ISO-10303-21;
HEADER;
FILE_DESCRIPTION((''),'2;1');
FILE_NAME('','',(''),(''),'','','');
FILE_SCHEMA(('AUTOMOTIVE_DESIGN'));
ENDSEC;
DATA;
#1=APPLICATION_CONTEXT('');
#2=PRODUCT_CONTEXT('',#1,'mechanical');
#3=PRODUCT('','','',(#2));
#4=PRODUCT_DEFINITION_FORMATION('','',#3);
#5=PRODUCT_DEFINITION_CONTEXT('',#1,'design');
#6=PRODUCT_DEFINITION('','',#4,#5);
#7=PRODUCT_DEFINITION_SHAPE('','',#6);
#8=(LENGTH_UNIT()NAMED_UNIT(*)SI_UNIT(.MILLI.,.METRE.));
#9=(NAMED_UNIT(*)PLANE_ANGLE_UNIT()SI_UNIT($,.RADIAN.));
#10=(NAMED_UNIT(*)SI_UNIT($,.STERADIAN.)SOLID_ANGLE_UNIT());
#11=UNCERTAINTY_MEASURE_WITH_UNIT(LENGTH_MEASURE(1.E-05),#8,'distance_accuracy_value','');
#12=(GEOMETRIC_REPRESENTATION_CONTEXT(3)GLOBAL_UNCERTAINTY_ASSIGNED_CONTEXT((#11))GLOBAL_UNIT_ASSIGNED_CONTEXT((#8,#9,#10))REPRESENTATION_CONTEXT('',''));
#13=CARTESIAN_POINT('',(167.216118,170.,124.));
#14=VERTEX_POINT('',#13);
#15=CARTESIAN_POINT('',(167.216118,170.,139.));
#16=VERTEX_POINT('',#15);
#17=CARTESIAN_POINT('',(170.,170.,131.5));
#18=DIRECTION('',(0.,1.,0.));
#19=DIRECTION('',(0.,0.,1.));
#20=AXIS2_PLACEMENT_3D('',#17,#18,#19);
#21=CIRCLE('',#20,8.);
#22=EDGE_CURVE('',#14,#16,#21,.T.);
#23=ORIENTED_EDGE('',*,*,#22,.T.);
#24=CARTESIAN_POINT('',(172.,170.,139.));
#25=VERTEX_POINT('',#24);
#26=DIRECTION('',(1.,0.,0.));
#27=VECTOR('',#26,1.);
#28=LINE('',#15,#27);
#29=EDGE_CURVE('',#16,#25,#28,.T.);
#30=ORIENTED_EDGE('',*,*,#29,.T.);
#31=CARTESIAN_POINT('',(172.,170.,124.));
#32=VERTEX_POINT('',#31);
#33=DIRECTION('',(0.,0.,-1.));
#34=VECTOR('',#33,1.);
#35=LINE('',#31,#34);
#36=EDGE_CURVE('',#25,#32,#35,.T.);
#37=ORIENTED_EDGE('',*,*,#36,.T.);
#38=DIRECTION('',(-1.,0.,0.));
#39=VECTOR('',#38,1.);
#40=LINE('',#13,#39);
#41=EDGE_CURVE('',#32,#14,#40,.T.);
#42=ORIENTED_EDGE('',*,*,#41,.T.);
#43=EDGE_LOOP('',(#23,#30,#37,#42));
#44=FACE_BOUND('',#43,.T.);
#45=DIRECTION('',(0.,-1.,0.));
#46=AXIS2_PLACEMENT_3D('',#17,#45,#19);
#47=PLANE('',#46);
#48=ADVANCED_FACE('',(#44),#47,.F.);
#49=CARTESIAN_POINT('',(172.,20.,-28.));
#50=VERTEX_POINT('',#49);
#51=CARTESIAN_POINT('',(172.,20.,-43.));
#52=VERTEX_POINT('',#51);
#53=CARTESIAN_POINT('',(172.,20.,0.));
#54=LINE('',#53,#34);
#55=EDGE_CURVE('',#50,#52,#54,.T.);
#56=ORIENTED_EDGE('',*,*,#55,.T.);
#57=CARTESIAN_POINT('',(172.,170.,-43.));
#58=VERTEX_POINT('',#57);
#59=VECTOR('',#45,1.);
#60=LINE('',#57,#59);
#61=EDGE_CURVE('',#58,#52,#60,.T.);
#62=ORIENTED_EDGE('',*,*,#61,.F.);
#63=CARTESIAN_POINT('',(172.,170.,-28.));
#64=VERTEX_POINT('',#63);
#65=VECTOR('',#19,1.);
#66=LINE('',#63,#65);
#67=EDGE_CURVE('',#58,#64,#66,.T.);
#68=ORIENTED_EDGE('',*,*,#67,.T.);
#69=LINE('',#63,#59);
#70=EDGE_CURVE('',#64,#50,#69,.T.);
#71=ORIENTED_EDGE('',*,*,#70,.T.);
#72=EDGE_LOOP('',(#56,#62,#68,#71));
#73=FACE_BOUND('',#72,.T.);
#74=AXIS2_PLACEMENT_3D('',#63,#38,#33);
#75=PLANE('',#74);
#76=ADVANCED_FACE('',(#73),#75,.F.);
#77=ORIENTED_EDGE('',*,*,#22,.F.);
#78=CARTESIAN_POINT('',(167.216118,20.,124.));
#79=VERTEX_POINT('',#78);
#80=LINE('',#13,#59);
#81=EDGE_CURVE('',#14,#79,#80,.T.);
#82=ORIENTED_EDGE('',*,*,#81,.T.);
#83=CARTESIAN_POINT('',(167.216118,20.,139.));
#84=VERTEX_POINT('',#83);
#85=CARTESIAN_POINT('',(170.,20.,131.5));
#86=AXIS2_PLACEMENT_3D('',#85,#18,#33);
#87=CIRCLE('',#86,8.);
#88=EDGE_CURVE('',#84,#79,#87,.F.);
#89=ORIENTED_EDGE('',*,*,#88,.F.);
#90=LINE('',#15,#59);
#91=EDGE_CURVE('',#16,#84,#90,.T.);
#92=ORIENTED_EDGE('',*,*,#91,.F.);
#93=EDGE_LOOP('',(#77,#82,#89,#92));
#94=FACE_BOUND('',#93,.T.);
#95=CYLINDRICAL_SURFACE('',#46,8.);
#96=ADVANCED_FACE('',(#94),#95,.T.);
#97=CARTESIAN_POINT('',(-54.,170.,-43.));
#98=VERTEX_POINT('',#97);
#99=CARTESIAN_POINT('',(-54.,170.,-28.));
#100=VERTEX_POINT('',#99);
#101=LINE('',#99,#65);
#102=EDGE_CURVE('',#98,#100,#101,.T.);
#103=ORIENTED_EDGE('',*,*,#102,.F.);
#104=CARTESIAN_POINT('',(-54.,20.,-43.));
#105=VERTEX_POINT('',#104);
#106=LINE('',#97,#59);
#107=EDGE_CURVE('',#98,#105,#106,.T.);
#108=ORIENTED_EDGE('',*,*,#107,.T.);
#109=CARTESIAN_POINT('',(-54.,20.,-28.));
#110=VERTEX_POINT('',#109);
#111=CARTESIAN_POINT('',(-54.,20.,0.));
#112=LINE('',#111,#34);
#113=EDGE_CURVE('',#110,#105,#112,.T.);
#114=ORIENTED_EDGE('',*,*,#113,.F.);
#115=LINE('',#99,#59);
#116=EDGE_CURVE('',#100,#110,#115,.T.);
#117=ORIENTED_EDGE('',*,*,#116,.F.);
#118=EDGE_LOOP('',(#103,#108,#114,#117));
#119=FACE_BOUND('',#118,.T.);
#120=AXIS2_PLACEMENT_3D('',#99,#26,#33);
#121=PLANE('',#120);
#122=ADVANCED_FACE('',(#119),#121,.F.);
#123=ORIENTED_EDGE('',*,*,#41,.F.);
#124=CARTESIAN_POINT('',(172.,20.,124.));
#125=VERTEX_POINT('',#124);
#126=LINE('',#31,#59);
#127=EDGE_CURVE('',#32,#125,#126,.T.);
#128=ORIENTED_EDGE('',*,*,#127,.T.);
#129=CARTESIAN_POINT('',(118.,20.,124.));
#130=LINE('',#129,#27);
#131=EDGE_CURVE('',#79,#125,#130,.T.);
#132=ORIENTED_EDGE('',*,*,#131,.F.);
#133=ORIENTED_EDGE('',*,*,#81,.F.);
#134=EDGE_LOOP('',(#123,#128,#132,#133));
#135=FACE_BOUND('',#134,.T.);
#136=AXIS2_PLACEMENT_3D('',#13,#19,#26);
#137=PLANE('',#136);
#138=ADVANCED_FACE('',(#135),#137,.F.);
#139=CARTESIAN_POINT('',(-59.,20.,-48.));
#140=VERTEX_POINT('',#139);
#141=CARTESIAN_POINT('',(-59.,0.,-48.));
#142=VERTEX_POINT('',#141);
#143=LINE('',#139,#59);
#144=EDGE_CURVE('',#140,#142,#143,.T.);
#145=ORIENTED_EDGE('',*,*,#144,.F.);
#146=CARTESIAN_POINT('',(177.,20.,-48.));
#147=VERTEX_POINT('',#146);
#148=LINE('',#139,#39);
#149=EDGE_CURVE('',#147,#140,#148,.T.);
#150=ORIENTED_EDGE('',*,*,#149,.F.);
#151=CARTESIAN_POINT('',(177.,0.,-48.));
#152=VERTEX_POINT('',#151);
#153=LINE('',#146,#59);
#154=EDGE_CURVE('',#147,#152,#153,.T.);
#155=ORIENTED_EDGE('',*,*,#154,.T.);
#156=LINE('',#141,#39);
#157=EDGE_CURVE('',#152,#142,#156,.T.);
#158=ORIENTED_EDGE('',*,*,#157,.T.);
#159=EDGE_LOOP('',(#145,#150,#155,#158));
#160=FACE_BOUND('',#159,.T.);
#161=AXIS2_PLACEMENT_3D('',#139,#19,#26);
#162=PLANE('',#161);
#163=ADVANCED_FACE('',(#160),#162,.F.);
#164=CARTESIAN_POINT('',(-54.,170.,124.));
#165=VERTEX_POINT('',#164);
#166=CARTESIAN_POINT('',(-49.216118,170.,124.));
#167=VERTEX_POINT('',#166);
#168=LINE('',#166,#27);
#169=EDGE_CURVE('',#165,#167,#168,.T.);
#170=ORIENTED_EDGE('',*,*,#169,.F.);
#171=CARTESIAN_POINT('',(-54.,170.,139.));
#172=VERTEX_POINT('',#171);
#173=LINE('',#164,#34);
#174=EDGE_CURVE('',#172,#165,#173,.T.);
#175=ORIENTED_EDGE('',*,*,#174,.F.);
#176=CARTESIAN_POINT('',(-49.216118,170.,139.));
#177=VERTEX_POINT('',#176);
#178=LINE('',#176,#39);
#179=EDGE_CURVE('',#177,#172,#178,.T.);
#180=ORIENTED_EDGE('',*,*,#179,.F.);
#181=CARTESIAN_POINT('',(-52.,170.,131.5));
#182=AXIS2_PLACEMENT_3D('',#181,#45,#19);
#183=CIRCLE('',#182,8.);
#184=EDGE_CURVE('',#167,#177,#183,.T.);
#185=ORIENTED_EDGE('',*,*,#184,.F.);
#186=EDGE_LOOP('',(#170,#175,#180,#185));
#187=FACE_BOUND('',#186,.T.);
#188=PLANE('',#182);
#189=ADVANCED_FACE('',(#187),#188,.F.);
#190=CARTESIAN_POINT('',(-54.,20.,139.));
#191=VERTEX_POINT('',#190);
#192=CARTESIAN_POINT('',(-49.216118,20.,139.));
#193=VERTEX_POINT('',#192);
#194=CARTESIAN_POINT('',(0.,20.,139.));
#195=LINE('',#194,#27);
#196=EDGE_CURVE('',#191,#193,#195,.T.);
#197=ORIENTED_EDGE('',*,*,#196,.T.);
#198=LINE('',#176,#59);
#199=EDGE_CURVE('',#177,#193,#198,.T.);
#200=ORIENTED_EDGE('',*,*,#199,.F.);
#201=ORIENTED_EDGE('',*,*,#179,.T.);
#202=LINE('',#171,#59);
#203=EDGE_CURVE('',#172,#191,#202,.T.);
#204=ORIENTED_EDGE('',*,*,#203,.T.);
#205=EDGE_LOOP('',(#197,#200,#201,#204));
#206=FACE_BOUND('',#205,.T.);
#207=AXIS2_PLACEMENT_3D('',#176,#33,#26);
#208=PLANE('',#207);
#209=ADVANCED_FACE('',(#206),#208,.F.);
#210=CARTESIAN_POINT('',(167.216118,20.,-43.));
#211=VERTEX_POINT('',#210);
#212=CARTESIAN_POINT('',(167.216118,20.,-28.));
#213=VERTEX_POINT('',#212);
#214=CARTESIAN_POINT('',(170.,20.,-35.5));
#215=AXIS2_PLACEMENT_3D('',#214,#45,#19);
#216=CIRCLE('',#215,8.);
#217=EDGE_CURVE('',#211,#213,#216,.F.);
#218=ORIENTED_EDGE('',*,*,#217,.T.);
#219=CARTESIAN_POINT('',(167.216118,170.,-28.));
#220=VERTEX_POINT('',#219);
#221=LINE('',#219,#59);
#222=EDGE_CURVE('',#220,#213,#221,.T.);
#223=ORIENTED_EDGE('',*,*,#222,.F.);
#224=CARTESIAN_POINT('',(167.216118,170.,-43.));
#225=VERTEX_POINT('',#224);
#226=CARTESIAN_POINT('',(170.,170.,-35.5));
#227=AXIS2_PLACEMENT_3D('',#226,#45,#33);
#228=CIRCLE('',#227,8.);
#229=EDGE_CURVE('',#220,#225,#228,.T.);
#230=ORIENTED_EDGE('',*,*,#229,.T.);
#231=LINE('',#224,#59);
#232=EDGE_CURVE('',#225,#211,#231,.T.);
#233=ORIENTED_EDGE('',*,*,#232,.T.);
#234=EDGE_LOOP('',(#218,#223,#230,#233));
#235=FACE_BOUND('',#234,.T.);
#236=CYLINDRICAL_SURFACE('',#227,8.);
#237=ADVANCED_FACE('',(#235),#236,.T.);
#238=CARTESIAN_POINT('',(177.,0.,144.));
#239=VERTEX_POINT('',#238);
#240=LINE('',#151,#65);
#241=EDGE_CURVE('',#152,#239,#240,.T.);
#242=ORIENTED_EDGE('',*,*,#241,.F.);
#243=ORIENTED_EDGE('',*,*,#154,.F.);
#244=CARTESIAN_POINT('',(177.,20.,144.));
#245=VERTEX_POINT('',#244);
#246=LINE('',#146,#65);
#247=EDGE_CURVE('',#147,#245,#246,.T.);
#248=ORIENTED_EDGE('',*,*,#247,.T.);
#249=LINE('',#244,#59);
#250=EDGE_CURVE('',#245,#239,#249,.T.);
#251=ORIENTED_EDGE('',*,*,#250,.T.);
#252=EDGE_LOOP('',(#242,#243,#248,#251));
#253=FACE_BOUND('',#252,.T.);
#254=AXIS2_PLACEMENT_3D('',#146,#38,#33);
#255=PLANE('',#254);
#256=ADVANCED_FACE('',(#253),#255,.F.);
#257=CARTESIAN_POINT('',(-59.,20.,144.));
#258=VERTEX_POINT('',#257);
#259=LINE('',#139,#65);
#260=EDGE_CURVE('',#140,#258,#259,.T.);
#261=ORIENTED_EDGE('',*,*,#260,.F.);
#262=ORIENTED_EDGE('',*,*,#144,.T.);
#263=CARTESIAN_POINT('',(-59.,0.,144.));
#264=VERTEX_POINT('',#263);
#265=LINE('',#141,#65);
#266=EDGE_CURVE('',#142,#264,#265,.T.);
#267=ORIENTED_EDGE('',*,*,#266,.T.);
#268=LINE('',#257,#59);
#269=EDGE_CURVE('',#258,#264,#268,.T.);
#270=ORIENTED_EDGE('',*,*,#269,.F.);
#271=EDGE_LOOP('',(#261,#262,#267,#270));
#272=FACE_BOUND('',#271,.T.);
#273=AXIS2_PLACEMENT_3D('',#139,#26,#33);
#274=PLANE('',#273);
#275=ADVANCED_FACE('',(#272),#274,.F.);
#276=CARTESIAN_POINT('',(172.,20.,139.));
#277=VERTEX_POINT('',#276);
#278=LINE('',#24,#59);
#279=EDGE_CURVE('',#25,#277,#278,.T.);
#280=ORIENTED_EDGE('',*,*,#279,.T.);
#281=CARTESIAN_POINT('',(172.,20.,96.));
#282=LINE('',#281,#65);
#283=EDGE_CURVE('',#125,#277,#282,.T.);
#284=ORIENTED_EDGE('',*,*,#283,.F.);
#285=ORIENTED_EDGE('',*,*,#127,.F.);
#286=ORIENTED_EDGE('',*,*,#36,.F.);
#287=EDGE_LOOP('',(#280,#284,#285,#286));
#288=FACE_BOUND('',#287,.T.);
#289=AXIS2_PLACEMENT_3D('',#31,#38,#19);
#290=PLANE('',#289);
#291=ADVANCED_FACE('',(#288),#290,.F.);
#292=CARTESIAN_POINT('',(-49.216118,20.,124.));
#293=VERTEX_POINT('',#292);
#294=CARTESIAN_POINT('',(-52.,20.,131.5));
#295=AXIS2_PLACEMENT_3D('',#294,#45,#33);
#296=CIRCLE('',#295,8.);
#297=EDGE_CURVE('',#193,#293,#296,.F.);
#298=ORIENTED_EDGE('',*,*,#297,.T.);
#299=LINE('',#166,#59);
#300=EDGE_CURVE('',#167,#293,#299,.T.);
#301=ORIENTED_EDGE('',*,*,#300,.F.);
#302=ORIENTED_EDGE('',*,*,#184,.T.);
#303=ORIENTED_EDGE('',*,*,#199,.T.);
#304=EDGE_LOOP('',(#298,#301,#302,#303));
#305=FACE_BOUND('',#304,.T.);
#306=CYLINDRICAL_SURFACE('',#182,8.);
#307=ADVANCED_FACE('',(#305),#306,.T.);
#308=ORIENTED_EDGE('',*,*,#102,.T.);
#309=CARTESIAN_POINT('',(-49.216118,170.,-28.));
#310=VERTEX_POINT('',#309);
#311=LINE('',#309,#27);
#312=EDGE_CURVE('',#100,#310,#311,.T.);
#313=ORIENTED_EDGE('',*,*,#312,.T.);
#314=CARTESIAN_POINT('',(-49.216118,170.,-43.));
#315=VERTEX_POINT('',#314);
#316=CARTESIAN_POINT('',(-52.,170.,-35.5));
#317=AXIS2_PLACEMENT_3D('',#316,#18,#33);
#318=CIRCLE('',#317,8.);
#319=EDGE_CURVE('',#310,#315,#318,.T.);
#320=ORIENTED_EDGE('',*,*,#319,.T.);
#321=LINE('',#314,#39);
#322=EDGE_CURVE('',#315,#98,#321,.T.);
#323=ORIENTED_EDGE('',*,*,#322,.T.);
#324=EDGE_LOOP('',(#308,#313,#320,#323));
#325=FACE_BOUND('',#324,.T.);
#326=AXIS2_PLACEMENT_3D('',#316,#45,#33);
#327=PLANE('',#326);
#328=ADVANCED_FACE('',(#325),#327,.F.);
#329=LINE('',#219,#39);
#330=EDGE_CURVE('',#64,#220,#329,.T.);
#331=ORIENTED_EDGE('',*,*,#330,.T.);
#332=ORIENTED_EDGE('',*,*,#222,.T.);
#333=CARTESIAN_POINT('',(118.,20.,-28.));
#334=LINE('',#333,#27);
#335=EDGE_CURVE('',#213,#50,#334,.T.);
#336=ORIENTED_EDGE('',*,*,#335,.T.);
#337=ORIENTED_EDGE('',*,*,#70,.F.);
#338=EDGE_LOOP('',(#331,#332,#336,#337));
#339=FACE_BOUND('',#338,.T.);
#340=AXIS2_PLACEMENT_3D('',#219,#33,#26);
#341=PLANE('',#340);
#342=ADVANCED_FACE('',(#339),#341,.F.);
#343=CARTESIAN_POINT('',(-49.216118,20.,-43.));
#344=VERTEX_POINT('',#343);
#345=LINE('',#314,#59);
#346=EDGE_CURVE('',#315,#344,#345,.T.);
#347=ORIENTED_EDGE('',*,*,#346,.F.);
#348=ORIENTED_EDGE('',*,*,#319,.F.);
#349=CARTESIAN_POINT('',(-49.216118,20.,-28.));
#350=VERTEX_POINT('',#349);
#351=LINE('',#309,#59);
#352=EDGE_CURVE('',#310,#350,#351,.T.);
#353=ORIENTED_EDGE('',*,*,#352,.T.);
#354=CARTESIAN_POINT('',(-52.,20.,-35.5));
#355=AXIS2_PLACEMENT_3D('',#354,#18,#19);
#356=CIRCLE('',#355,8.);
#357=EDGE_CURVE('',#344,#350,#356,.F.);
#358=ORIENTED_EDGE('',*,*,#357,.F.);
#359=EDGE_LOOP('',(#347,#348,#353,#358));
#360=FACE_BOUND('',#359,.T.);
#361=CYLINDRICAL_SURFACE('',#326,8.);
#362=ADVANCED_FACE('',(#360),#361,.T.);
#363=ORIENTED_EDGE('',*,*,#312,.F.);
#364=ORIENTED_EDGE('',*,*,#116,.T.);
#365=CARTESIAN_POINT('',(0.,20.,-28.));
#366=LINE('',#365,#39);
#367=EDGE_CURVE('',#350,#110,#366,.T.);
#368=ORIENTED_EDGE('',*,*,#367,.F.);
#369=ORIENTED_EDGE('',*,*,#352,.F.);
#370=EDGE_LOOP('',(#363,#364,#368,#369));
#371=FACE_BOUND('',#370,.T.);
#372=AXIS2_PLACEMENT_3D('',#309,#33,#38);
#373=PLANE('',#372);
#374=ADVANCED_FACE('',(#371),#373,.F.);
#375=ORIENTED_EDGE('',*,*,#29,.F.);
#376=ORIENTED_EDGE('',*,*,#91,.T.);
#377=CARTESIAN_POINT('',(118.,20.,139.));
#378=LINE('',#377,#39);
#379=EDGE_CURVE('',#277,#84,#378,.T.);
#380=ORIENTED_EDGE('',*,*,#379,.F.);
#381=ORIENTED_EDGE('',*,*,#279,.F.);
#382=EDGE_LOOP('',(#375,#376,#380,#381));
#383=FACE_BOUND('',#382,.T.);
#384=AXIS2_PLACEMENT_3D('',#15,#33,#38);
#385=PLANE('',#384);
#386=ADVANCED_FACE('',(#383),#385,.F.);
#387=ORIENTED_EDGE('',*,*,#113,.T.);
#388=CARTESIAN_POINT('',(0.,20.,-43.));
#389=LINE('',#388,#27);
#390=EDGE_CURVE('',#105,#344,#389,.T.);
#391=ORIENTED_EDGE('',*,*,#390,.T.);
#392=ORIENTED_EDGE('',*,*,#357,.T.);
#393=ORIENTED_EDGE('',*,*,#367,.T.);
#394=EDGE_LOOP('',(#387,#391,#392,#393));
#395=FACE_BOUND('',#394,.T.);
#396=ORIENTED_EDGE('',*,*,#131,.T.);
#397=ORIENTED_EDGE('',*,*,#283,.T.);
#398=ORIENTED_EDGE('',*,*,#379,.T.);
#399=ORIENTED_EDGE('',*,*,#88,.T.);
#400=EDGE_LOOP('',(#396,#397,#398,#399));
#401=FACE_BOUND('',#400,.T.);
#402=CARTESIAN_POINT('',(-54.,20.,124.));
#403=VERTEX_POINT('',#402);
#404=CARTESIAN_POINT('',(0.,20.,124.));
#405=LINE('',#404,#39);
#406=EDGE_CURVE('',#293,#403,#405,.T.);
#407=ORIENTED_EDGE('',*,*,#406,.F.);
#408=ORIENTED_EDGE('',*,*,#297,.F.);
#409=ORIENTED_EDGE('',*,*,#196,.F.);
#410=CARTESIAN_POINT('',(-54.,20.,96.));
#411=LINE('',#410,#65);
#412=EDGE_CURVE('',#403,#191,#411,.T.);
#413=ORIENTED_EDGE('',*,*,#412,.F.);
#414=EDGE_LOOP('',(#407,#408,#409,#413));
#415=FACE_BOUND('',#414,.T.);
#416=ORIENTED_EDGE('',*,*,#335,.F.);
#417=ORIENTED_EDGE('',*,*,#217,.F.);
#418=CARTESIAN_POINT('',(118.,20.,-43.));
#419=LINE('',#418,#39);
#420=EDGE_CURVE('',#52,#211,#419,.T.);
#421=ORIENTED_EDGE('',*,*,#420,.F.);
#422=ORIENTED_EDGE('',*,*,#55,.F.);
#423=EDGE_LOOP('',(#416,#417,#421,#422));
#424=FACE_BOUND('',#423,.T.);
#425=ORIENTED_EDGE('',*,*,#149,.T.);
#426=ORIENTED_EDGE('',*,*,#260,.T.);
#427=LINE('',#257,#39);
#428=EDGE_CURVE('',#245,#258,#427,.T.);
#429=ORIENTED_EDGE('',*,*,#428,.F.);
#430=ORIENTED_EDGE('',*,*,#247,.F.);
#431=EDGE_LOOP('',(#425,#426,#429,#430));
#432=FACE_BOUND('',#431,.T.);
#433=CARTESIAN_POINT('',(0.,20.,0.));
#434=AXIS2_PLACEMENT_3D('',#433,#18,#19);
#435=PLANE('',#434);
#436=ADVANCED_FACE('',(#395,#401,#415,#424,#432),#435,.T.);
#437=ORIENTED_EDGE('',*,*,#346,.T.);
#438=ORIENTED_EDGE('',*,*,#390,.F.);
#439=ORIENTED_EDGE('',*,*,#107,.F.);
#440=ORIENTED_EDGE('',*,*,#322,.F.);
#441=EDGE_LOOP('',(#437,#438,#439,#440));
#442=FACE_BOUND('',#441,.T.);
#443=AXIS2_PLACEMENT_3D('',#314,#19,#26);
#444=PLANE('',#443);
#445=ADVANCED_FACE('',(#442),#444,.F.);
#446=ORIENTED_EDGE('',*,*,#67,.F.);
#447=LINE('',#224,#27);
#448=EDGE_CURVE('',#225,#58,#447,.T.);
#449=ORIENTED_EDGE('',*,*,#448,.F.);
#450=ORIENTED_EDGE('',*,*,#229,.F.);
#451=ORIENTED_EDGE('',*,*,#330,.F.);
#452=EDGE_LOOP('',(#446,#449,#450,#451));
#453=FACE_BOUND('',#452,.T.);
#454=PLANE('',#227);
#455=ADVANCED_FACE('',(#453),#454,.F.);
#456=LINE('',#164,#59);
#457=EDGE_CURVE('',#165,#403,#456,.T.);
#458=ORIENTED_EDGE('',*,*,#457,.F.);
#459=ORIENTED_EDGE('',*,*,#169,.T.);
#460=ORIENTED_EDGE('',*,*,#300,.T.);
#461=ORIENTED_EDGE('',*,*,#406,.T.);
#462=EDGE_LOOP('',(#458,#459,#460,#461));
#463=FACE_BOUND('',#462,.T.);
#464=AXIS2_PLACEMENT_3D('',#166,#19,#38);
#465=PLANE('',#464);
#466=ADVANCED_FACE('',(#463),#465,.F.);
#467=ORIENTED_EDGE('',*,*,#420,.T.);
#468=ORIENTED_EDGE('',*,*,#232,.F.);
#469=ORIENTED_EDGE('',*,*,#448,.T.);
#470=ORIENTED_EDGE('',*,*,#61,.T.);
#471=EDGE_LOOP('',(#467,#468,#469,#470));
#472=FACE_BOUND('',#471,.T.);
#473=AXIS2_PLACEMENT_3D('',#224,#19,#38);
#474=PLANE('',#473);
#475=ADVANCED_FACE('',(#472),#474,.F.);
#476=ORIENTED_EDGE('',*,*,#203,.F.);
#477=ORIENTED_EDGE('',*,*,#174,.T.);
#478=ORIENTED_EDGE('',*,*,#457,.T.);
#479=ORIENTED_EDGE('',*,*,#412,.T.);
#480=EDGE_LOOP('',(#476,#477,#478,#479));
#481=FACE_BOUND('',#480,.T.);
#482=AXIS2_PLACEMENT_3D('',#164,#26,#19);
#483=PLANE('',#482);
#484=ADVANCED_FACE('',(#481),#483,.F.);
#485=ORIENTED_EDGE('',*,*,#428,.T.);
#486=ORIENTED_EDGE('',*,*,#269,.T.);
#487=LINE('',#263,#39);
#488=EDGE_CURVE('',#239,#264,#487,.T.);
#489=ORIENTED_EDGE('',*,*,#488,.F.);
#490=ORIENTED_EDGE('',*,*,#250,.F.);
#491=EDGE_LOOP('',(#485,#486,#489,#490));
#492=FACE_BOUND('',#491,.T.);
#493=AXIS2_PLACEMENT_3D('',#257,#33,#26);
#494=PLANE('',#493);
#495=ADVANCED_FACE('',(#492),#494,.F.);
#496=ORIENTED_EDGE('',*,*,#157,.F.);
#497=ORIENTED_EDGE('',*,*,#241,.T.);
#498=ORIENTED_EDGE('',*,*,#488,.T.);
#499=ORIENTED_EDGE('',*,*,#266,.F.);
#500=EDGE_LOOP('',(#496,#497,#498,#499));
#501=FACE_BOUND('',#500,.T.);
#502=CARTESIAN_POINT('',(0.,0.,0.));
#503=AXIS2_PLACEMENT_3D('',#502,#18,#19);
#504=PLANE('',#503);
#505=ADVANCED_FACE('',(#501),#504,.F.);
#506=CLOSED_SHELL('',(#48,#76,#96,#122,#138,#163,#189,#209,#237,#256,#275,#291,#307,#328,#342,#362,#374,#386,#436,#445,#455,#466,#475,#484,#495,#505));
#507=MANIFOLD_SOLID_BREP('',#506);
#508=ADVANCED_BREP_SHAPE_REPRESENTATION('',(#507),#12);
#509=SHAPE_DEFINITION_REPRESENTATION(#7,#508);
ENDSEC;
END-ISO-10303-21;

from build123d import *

# Parameters (mm, degrees)
SCHIZZO2_W                   = 118
SCHIZZO2_H                   = 96
ESTRUSIONE_ESTRUSIONE1_DEPTH = 20
ESTRUSIONE_ESTRUSIONE2_DEPTH = 170


with BuildPart() as part:
    # Schizzo2 → Estrusione-Estrusione1 (new body)
    with BuildSketch(Plane(origin=(0, 0, 0), x_dir=(1, 0, 0), z_dir=(0, 1, 0))):
        Rectangle(SCHIZZO2_W, SCHIZZO2_H)
    extrude(amount=ESTRUSIONE_ESTRUSIONE1_DEPTH)

    # Schizzo3 → Estrusione-Estrusione2 (add)
    with BuildSketch(Plane(origin=(0, 0, 0), x_dir=(1, 0, 0), z_dir=(0, 1, 0))):
        with BuildLine():
            Line((-49.216117819, 28), (-54, 28))
            Line((-54, 28), (-54, 43))
            Line((-54, 43), (-49.216117819, 43))
            ThreePointArc((-49.216117819, 43), (-44, 35.5), (-49.216117819, 28))
        make_face()
    extrude(amount=ESTRUSIONE_ESTRUSIONE2_DEPTH)

    # Specchia3: part across plane


with BuildPart() as part_1:
    add(part.part)
    add(part.part.mirror(Plane(origin=(-59, 20, 48), x_dir=(1, 0, 0), z_dir=(0, 0, -1))))

    # Specchia2: part across plane


with BuildPart() as part_2:
    add(part_1.part)
    add(part_1.part.mirror(Plane(origin=(59, 20, -48), x_dir=(0, 0, 1), z_dir=(-1, 0, 0))))


solid = part_2.part
